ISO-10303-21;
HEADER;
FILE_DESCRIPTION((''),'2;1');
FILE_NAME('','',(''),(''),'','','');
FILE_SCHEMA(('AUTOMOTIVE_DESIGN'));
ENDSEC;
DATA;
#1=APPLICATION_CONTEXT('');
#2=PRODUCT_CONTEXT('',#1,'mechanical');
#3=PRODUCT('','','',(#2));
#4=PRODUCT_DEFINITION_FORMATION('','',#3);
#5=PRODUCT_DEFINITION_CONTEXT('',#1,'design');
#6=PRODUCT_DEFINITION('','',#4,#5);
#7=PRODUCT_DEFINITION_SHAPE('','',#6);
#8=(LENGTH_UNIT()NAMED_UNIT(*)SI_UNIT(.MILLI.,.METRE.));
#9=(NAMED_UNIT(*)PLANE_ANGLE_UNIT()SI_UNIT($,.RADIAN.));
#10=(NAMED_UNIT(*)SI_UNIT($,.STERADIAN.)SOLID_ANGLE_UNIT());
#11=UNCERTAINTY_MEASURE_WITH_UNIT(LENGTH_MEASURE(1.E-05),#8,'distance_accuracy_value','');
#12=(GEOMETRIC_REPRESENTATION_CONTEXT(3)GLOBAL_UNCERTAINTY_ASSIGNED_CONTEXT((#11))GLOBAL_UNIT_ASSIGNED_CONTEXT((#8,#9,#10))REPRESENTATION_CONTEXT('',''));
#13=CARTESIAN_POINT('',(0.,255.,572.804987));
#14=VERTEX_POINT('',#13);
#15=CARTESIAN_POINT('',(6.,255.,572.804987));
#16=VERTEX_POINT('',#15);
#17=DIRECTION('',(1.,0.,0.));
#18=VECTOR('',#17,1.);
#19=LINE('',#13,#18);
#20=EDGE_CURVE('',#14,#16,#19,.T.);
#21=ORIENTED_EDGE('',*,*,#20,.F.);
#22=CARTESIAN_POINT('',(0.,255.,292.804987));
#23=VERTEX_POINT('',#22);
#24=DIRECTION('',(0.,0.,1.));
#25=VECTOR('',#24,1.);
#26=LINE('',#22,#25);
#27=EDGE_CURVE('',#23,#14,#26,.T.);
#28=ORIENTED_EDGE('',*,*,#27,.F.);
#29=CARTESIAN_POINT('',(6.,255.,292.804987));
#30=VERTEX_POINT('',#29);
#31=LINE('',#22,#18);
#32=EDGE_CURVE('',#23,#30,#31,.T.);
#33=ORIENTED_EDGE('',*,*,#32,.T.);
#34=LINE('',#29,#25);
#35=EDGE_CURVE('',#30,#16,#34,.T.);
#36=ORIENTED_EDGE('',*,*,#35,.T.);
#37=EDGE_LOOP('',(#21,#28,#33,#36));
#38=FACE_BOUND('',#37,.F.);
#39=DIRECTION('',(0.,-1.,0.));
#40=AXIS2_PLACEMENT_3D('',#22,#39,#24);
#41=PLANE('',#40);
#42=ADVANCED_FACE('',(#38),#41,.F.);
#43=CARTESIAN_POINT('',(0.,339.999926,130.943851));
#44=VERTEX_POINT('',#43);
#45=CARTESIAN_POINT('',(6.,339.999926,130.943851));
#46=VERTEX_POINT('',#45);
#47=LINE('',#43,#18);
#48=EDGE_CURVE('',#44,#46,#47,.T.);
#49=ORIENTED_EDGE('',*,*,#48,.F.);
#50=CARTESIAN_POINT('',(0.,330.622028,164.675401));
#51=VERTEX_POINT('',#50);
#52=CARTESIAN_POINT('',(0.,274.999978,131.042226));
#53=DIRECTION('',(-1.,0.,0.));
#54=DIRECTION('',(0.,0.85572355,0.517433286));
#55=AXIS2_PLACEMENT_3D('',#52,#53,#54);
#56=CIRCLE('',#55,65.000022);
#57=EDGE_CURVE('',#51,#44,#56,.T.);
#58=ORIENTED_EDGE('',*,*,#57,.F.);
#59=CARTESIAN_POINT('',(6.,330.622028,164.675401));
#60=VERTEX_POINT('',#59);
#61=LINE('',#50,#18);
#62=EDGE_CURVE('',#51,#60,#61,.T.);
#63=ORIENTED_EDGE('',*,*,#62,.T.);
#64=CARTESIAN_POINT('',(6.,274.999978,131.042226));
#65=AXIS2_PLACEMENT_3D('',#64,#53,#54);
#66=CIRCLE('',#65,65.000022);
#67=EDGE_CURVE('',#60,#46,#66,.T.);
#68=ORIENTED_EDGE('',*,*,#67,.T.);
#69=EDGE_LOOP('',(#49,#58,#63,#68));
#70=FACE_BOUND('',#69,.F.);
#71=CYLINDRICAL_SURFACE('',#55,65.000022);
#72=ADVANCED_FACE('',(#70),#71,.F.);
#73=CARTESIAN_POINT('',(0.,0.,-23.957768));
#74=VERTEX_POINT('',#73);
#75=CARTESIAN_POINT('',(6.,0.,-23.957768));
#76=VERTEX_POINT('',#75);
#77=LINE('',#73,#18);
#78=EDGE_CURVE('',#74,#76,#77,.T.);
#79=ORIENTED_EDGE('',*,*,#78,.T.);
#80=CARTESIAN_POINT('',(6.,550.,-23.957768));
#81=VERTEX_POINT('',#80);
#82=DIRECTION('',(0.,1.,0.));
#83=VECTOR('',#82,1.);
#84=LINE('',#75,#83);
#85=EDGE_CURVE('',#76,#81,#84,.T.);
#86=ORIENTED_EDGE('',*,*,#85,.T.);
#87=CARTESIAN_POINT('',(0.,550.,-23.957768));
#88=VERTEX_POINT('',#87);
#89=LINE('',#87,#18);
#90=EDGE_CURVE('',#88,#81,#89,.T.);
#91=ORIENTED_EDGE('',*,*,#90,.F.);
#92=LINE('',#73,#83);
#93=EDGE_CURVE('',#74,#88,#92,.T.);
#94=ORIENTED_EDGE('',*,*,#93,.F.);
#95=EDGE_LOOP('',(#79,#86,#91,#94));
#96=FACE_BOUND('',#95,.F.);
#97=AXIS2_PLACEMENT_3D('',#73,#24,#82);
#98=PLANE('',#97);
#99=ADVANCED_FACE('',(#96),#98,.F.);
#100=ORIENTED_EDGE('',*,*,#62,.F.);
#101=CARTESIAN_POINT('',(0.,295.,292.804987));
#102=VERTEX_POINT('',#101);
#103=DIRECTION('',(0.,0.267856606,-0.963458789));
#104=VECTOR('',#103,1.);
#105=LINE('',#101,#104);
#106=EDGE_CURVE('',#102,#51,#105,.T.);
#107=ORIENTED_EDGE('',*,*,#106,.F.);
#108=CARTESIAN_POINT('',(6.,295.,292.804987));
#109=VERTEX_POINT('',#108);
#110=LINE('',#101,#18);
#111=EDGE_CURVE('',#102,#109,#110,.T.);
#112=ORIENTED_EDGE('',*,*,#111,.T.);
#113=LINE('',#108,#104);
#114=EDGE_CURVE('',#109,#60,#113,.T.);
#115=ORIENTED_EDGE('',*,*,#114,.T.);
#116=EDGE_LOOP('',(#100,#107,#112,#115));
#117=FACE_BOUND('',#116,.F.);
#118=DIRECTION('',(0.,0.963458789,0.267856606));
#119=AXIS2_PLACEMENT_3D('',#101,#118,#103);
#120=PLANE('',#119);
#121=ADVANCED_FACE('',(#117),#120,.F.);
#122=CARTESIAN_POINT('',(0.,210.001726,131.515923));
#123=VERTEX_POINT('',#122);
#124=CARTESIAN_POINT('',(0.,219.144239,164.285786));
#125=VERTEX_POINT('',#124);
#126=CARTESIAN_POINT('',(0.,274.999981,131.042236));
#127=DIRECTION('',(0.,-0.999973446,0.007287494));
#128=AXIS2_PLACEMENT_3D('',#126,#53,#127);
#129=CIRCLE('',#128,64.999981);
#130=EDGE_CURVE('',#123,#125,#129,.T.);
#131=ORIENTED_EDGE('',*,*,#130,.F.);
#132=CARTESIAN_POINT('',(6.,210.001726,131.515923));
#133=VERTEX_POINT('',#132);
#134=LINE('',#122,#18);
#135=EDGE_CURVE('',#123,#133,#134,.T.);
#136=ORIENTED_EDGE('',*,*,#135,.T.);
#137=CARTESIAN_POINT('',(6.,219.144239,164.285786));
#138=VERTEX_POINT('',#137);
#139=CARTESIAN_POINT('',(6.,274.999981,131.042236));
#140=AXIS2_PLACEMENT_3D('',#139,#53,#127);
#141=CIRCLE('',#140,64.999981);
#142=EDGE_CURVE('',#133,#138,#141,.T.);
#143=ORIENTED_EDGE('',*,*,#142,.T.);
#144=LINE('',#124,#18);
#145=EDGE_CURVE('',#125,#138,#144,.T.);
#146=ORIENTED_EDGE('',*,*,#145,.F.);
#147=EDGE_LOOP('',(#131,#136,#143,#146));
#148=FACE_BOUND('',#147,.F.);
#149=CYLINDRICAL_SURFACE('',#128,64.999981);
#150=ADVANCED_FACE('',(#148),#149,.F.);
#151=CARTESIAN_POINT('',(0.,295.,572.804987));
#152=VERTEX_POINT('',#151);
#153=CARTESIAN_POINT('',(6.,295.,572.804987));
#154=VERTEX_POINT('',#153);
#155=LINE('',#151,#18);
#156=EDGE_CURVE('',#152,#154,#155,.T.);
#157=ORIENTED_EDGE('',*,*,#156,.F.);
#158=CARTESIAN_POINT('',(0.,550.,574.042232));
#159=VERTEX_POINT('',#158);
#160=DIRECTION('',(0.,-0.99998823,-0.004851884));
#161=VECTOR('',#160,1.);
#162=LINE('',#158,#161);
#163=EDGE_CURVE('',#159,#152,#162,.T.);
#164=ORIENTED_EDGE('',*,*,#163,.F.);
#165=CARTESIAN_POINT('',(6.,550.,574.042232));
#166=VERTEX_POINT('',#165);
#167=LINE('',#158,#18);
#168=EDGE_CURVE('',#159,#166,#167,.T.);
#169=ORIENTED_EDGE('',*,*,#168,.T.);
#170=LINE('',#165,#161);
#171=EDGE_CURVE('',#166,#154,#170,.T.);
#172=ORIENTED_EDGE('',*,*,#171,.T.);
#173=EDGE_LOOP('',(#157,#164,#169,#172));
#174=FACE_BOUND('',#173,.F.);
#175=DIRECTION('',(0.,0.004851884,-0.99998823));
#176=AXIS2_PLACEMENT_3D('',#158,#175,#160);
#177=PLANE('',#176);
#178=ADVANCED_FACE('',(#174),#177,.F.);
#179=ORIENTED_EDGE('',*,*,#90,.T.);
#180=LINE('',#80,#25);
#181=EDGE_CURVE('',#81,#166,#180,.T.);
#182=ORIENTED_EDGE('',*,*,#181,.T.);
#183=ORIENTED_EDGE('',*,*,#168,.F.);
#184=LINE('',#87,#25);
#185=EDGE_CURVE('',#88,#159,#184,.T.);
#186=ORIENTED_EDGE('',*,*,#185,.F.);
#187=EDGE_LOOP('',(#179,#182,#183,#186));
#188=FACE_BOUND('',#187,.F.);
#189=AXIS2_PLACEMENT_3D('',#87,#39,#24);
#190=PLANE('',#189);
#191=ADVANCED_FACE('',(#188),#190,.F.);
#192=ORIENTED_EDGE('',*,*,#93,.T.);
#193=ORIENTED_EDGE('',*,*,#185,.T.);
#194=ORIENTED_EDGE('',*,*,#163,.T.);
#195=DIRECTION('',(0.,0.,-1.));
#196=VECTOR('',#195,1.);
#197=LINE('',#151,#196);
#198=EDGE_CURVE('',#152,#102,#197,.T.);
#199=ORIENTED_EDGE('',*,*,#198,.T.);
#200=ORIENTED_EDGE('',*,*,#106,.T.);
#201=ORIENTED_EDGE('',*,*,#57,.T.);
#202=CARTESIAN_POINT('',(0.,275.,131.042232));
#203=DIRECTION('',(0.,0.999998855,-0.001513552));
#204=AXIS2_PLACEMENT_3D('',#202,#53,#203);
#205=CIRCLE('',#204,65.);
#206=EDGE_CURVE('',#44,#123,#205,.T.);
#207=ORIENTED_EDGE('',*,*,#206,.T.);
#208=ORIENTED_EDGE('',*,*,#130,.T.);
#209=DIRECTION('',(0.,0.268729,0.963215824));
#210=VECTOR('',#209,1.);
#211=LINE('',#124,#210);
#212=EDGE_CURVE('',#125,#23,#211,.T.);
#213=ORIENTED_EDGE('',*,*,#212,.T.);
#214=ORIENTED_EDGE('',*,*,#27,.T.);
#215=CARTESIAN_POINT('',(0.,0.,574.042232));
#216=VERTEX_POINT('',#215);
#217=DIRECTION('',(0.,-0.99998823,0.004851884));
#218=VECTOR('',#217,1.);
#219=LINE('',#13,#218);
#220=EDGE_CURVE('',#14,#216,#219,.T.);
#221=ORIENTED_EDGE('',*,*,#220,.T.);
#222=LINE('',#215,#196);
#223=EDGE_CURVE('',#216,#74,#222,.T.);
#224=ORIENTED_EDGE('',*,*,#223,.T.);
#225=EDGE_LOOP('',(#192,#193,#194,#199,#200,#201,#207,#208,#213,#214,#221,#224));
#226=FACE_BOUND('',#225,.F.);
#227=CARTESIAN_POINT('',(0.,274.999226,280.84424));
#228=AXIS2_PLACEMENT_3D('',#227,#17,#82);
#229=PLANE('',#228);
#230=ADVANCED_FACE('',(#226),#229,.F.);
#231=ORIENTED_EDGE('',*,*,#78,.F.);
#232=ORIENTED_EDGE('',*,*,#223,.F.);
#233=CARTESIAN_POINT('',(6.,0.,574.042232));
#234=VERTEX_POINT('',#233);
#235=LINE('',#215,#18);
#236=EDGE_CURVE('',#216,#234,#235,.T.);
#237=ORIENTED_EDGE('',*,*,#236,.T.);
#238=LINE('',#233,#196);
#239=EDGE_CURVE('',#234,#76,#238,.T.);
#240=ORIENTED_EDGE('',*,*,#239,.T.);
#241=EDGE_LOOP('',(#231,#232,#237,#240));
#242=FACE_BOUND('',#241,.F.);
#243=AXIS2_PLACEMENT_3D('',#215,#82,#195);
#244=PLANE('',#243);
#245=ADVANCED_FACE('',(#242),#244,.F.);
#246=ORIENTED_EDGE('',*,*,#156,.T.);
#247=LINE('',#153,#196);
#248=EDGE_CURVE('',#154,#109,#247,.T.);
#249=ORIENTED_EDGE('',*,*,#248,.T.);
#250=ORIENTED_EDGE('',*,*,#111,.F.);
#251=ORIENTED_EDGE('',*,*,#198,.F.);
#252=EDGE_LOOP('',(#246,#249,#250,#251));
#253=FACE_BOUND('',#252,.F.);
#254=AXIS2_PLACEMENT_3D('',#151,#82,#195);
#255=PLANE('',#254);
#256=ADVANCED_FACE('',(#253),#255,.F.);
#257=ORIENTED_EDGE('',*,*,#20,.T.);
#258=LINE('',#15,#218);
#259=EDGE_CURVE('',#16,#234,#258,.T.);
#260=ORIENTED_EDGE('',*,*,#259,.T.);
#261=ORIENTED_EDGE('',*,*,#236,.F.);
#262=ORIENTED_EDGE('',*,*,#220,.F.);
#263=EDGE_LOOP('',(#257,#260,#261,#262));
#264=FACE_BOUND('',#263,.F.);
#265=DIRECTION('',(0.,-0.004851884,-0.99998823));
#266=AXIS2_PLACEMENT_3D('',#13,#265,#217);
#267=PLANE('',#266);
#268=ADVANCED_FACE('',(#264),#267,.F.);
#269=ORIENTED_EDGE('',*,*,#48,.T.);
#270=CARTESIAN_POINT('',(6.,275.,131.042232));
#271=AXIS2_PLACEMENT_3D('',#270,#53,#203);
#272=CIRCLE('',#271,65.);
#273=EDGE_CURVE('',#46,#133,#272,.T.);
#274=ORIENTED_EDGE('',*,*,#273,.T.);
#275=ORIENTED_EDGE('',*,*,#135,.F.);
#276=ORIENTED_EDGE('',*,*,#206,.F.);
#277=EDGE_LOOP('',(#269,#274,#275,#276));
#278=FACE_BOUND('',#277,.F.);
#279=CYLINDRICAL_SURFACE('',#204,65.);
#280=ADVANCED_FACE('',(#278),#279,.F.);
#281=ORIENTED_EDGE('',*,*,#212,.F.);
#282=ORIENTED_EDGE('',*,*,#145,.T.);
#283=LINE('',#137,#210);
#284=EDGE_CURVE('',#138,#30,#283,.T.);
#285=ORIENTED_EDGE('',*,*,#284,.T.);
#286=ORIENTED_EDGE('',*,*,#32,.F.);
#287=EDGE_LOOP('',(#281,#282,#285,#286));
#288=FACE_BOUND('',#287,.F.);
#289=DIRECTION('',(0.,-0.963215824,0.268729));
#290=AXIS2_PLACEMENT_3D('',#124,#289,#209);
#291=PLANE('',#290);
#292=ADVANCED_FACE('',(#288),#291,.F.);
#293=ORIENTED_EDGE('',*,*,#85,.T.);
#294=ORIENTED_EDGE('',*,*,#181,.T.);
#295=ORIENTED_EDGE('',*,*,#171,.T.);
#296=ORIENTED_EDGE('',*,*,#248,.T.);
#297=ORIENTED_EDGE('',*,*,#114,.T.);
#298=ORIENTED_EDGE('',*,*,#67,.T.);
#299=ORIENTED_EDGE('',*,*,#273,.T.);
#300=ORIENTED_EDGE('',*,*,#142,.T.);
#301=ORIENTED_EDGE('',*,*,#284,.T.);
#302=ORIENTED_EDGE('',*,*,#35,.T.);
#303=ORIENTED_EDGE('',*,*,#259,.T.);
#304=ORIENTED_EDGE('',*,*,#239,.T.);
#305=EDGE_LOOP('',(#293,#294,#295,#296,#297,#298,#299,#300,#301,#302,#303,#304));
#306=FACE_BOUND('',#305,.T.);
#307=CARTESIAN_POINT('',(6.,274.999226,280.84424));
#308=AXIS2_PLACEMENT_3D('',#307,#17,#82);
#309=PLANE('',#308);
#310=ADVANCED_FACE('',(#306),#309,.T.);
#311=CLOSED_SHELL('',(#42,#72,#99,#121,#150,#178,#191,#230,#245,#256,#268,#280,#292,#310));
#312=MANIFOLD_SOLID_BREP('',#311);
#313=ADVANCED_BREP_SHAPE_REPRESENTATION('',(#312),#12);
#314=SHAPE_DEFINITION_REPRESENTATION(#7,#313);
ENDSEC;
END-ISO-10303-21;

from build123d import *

# Parameters (mm, degrees)
F1_DEPTH = 6


with BuildPart() as f1:
    # F0 (on Right) → F1 (new body)
    with BuildSketch(Plane.YZ):
        with BuildLine():
            Line((0, 574.042232), (0, -23.957768))
            Line((0, -23.957768), (550, -23.957768))
            Line((550, -23.957768), (550, 574.042232))
            Line((550, 574.042232), (295, 572.804987))
            Line((295, 572.804987), (295, 292.804987))
            Line((295, 292.804987), (330.622028, 164.675401))
            ThreePointArc((330.622028, 164.675401), (337.624821, 148.452911), (339.999926, 130.943851))
            ThreePointArc((339.999926, 130.943851), (274.713963, 66.042861), (210.001726, 131.515923))
            ThreePointArc((210.001726, 131.515923), (212.390971, 148.509617), (219.144239, 164.285786))
            Line((219.144239, 164.285786), (255, 292.804987))
            Line((255, 292.804987), (255, 572.804987))
            Line((255, 572.804987), (0, 574.042232))
        make_face()
    extrude(amount=F1_DEPTH)


solid = f1.part
